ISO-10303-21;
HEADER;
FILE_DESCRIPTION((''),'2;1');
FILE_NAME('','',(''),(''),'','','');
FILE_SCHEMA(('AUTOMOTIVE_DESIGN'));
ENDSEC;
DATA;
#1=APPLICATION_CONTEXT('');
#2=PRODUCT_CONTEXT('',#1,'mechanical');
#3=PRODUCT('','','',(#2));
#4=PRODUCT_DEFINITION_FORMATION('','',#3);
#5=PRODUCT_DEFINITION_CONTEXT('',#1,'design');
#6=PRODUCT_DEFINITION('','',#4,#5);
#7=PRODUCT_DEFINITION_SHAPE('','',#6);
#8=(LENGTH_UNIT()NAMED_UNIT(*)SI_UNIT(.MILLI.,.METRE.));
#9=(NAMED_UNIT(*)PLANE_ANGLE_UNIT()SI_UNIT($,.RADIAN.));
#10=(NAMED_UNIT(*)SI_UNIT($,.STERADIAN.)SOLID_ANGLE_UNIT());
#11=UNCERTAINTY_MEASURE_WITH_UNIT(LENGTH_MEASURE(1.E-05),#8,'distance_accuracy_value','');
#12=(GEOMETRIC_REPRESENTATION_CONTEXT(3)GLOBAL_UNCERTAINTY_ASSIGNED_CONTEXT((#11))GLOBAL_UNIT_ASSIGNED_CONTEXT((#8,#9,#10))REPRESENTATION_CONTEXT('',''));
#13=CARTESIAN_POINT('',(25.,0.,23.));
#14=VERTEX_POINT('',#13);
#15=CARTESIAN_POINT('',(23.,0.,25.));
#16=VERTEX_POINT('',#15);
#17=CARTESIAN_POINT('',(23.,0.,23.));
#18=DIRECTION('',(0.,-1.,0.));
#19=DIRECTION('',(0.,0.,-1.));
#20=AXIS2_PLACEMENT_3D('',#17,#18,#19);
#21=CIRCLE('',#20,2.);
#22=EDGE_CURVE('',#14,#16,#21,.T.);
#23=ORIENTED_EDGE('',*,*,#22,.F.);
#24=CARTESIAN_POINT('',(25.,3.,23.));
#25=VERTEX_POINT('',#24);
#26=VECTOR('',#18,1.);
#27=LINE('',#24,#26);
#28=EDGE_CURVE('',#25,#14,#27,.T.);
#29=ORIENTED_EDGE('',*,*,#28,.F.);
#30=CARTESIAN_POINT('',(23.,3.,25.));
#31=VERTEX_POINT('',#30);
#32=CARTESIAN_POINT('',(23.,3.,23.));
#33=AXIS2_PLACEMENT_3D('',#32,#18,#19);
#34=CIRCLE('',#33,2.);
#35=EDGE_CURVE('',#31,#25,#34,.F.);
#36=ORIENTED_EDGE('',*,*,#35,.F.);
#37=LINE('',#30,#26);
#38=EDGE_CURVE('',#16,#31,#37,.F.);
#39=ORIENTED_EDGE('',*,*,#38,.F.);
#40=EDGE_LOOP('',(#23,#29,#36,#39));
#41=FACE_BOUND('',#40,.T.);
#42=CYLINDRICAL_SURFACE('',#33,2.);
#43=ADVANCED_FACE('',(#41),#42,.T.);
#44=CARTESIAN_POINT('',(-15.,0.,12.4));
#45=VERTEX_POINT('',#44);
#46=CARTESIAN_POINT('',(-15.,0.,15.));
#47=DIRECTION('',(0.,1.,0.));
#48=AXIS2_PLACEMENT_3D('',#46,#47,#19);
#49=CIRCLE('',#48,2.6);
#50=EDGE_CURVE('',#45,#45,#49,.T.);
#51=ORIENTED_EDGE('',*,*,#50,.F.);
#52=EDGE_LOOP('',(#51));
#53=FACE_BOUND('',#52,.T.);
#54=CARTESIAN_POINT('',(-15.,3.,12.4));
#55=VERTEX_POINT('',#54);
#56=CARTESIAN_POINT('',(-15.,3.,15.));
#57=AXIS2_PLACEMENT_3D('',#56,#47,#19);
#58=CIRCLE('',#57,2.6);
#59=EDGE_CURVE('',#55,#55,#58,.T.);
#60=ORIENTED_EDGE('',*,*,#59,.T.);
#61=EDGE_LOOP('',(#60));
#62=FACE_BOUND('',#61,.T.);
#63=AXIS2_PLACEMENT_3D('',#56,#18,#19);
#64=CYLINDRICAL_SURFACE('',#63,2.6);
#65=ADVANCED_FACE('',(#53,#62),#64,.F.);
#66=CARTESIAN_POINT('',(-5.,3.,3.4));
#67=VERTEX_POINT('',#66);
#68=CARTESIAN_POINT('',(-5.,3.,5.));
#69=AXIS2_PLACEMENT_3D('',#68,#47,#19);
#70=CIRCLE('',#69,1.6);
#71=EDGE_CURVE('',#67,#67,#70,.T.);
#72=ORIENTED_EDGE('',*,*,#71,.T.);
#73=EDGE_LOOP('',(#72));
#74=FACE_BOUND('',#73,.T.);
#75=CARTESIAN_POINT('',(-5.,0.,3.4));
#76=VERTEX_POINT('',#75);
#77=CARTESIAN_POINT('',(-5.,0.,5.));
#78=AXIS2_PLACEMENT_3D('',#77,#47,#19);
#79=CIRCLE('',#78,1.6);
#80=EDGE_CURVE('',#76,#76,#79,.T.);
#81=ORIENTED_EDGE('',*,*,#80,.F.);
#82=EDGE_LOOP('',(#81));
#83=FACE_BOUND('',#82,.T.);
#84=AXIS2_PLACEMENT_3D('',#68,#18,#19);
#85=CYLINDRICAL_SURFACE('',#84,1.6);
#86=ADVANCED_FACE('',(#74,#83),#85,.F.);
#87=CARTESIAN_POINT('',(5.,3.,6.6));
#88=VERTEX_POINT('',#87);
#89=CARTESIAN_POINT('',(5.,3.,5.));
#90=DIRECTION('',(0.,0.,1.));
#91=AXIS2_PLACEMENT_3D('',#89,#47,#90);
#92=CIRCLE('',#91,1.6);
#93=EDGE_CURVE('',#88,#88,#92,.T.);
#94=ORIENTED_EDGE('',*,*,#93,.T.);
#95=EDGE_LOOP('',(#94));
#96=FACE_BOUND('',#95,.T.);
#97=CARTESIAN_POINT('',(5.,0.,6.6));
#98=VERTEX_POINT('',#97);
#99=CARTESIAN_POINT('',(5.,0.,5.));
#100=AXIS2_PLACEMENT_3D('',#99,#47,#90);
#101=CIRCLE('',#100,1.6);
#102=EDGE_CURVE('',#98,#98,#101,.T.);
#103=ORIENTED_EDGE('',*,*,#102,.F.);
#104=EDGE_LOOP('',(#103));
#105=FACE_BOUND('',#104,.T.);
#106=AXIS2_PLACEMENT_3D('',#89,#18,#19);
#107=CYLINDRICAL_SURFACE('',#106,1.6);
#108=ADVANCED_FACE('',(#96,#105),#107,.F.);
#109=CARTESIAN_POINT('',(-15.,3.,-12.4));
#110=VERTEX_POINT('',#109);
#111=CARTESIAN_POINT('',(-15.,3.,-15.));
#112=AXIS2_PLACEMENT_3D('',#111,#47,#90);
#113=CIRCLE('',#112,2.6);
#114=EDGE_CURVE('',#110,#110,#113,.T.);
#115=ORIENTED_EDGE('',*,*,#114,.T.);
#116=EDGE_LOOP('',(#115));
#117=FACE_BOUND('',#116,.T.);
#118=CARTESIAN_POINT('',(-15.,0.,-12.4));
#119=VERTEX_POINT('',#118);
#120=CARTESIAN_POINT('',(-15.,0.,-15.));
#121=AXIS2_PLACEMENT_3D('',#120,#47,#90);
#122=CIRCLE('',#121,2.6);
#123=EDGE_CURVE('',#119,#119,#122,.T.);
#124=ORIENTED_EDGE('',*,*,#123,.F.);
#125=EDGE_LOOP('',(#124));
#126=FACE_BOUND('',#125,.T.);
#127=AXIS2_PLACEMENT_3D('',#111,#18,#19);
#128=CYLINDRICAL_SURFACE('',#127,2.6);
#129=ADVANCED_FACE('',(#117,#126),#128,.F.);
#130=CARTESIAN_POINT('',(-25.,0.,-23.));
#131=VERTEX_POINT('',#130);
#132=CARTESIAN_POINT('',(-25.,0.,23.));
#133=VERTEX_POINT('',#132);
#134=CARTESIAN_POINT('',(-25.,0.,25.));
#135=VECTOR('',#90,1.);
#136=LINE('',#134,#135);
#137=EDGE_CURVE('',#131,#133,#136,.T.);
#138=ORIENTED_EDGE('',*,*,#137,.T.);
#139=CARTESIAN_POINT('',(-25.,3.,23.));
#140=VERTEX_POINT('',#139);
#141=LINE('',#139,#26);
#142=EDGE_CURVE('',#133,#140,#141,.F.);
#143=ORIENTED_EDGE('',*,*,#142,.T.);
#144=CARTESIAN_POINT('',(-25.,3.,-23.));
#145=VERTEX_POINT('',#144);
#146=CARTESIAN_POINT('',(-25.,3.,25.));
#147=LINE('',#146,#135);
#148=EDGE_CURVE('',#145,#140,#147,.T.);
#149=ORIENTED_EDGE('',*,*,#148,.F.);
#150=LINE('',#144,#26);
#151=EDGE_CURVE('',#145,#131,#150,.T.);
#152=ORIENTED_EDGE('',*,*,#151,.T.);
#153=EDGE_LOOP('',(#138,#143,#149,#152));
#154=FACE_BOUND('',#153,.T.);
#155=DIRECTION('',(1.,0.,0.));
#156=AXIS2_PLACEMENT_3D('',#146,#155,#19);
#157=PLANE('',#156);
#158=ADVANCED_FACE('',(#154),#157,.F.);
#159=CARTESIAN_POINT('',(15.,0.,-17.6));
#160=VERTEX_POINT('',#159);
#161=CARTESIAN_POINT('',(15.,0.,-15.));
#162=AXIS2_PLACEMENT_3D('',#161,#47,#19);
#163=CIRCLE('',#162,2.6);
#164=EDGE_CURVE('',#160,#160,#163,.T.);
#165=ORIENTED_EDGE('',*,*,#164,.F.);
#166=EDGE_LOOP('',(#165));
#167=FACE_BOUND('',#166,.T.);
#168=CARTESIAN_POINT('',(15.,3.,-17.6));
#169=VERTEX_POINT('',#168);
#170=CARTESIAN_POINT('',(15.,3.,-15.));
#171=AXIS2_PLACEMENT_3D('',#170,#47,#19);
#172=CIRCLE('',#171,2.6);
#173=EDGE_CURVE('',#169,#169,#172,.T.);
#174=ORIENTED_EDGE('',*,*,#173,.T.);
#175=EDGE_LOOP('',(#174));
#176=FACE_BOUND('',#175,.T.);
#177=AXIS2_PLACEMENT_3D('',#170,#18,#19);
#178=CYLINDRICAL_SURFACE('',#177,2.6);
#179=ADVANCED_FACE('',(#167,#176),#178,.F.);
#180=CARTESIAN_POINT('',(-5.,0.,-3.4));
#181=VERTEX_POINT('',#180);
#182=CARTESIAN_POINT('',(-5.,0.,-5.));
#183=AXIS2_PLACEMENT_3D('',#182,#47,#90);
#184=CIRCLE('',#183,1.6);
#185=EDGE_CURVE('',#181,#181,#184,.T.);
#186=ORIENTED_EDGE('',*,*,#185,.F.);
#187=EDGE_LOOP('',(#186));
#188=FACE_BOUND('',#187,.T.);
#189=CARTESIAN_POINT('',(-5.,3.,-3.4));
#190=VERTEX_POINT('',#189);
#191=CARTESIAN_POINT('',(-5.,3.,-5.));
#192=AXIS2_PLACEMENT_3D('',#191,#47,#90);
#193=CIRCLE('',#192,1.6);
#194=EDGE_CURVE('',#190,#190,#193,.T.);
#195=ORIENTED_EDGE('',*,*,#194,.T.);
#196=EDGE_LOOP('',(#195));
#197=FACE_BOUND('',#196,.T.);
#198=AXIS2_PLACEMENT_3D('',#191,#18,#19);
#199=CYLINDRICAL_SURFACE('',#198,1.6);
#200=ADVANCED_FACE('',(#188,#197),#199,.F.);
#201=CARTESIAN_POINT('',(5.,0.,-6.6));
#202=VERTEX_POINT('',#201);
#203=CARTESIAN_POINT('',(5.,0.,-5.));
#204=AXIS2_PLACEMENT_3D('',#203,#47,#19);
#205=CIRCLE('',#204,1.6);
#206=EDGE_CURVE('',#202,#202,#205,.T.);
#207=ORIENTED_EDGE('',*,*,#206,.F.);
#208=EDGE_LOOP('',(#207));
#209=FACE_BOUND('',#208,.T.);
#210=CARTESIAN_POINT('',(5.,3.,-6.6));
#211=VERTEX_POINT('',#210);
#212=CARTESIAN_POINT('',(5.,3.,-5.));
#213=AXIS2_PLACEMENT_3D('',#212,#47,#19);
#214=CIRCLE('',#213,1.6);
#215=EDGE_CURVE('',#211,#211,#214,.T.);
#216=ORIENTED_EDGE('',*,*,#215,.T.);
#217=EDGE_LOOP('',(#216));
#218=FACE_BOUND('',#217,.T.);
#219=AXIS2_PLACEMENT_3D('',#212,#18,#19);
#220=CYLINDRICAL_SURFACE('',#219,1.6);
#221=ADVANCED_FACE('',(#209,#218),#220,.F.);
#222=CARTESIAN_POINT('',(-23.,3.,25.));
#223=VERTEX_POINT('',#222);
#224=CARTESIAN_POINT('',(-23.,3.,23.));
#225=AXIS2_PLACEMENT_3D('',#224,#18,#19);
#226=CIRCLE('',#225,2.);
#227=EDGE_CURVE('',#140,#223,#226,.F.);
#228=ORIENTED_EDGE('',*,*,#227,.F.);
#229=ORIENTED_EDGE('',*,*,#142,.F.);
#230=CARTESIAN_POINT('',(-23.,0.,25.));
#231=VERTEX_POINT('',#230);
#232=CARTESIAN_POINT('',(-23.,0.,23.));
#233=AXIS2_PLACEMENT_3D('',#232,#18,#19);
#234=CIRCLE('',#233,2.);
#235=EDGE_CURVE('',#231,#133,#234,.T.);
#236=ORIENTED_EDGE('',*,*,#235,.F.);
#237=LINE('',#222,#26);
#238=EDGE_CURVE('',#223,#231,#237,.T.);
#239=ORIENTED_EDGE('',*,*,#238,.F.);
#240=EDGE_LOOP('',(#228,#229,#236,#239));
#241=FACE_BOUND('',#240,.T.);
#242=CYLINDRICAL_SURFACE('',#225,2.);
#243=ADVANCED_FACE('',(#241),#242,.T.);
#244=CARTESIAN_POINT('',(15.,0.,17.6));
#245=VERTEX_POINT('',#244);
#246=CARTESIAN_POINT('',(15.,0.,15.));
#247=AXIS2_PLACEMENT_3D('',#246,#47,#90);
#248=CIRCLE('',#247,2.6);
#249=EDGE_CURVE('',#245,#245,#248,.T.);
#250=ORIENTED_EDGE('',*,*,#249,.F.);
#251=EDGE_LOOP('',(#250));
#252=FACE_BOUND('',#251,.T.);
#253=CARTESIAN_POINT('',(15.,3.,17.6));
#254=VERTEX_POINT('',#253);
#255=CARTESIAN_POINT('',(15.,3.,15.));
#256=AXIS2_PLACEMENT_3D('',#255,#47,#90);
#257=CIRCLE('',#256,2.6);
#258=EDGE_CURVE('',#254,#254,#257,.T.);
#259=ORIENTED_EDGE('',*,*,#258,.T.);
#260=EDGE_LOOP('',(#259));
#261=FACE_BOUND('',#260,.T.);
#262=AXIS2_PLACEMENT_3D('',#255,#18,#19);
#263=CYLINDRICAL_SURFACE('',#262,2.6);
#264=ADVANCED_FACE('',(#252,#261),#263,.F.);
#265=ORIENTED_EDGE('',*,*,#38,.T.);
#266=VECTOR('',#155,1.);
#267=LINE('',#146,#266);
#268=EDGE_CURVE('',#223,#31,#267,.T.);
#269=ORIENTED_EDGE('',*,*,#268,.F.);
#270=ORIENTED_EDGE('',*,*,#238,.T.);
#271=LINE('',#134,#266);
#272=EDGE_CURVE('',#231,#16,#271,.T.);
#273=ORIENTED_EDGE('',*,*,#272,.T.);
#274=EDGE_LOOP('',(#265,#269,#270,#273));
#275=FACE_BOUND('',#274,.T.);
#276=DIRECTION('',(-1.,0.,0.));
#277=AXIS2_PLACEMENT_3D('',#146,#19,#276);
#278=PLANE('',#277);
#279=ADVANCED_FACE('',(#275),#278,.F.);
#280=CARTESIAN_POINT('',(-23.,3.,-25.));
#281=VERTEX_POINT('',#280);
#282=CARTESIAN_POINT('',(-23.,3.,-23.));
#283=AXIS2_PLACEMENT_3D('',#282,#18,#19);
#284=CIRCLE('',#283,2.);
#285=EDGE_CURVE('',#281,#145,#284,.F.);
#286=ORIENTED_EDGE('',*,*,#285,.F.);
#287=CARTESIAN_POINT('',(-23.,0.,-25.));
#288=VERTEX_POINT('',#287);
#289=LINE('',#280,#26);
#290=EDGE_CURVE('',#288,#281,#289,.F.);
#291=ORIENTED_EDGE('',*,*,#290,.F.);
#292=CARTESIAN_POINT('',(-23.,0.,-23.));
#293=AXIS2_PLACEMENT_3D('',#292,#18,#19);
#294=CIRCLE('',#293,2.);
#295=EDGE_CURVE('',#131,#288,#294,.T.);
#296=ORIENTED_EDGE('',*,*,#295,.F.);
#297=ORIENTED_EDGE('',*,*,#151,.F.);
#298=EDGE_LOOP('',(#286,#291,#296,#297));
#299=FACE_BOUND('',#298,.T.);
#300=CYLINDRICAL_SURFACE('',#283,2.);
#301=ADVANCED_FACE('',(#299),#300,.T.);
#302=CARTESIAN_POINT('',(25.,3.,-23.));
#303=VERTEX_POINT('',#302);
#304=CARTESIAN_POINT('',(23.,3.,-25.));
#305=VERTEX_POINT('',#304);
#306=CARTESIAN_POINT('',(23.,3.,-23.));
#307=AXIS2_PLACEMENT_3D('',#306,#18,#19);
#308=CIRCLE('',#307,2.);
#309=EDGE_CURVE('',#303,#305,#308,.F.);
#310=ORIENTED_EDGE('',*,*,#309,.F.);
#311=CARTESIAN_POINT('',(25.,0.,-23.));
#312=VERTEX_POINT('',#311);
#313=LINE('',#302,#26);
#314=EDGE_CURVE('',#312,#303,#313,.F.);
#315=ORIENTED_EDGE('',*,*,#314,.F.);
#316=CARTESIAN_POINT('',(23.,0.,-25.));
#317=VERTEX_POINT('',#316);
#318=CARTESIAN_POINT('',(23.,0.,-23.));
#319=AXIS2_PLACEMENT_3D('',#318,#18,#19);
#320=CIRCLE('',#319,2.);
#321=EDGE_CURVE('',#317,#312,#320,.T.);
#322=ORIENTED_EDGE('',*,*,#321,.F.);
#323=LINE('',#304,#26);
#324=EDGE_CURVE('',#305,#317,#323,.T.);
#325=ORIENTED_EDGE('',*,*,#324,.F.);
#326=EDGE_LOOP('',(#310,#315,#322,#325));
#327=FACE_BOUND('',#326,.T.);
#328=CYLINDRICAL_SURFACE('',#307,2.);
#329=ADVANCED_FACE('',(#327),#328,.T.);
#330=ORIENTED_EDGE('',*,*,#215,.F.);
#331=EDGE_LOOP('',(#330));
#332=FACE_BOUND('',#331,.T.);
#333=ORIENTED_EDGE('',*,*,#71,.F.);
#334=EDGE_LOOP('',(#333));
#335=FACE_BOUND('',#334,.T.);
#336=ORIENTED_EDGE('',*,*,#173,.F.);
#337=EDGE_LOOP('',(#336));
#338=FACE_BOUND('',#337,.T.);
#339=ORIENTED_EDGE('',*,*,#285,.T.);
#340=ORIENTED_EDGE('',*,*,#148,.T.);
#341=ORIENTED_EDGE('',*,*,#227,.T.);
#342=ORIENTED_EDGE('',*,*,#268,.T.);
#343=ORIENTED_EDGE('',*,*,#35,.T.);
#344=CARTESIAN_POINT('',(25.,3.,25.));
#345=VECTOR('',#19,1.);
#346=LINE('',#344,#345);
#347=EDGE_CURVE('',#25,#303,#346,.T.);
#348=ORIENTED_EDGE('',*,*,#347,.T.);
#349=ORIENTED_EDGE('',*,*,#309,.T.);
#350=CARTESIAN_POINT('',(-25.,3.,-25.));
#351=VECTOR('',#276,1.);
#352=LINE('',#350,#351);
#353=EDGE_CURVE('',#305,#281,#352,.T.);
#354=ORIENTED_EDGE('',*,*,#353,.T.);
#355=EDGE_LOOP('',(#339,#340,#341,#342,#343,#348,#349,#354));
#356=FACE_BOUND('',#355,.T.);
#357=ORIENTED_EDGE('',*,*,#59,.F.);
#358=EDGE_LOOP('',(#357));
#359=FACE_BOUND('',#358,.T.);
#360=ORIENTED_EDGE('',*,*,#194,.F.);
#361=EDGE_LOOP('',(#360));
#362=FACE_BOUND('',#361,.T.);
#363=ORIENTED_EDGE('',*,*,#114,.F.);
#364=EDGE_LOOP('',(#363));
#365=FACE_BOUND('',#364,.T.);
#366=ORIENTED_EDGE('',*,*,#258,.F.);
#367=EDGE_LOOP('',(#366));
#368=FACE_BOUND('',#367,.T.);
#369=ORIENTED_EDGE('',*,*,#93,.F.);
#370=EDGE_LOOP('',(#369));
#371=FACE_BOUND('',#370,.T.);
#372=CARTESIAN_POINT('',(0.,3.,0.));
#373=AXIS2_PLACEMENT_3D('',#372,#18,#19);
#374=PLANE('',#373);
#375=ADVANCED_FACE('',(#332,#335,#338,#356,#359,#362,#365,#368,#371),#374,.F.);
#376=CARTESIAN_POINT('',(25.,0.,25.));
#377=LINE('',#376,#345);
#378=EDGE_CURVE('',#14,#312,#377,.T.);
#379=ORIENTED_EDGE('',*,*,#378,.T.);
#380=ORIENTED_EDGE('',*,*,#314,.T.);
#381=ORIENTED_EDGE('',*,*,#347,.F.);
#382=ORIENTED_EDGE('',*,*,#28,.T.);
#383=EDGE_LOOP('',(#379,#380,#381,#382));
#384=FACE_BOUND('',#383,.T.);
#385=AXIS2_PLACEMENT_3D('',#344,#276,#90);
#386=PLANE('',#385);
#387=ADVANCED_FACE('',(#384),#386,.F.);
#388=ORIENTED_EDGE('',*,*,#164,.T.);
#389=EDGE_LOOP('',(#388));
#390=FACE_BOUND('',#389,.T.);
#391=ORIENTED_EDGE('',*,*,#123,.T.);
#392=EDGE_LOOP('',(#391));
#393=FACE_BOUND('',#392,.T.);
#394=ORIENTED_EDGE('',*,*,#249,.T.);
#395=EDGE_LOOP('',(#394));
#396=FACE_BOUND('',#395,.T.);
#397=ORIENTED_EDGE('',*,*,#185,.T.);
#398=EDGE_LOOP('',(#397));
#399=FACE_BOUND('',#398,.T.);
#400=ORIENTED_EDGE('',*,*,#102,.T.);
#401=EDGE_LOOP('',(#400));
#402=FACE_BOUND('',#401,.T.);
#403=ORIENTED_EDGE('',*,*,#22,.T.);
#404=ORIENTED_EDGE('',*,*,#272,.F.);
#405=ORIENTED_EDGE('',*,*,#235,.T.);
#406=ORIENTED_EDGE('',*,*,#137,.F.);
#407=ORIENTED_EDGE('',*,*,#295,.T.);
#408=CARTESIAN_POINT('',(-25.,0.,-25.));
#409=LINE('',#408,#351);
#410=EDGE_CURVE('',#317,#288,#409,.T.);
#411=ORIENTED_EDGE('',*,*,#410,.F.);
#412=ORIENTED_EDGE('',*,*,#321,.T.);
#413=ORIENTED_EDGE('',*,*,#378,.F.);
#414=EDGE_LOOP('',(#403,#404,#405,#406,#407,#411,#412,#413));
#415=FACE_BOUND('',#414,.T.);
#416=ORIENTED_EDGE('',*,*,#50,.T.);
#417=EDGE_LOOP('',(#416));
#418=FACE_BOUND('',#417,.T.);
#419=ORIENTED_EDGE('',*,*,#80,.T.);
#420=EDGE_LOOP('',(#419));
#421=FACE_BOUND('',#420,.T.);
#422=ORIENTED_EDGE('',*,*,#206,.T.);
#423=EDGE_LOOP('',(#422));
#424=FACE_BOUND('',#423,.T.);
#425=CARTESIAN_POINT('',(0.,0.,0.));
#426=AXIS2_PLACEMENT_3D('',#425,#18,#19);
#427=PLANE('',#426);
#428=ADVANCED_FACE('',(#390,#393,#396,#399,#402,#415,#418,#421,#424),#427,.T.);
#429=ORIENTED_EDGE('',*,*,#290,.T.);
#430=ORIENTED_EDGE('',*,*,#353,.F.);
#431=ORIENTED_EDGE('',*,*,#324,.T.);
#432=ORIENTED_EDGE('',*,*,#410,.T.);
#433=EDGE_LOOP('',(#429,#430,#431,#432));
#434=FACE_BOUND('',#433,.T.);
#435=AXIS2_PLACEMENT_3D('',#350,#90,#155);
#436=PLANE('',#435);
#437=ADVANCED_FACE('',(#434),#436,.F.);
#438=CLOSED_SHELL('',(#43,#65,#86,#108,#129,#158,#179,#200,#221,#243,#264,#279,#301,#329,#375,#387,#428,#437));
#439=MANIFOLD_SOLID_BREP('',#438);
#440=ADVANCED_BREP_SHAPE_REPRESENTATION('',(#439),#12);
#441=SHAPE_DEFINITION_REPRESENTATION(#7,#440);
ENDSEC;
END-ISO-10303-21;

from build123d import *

# Parameters (mm, degrees)
SKETCH_1_W      = 50
SKETCH_1_H      = 50
SKETCH_1_R      = 2.6
SKETCH_1_R_2    = 1.6
EXTRUDE_1_DEPTH = 3
FILLET_1_R      = 2


with BuildPart() as part:
    # 草图1 → 凸台-拉伸1 (new body)
    with BuildSketch(Plane(origin=(0, 0, 0), x_dir=(1, 0, 0), z_dir=(0, 1, 0))):
        Rectangle(SKETCH_1_W, SKETCH_1_H)
        with Locations(Location((-15, 15, 0), (0, 0, 270))):
            Circle(SKETCH_1_R, mode=Mode.SUBTRACT)
        with Locations(Location((-15, -15, 0), (0, 0, 90))):
            Circle(SKETCH_1_R, mode=Mode.SUBTRACT)
        with Locations(Location((15, -15, 0), (0, 0, 270))):
            Circle(SKETCH_1_R, mode=Mode.SUBTRACT)
        with Locations(Location((15, 15, 0), (0, 0, 90))):
            Circle(SKETCH_1_R, mode=Mode.SUBTRACT)
        with Locations(Location((-5, 5, 0), (0, 0, 270))):
            Circle(SKETCH_1_R_2, mode=Mode.SUBTRACT)
        with Locations(Location((-5, -5, 0), (0, 0, 90))):
            Circle(SKETCH_1_R_2, mode=Mode.SUBTRACT)
        with Locations(Location((5, -5, 0), (0, 0, 270))):
            Circle(SKETCH_1_R_2, mode=Mode.SUBTRACT)
        with Locations(Location((5, 5, 0), (0, 0, 90))):
            Circle(SKETCH_1_R_2, mode=Mode.SUBTRACT)
    extrude(amount=EXTRUDE_1_DEPTH)

    # 圆角1
    fillet_1_edges = [part.edges().sort_by_distance(p)[0] for p in [
        (25, 1.5, 25),
        (-25, 1.5, 25),
        (-25, 1.5, -25),
        (25, 1.5, -25),
    ]]
    fillet(fillet_1_edges, radius=FILLET_1_R)


solid = part.part
